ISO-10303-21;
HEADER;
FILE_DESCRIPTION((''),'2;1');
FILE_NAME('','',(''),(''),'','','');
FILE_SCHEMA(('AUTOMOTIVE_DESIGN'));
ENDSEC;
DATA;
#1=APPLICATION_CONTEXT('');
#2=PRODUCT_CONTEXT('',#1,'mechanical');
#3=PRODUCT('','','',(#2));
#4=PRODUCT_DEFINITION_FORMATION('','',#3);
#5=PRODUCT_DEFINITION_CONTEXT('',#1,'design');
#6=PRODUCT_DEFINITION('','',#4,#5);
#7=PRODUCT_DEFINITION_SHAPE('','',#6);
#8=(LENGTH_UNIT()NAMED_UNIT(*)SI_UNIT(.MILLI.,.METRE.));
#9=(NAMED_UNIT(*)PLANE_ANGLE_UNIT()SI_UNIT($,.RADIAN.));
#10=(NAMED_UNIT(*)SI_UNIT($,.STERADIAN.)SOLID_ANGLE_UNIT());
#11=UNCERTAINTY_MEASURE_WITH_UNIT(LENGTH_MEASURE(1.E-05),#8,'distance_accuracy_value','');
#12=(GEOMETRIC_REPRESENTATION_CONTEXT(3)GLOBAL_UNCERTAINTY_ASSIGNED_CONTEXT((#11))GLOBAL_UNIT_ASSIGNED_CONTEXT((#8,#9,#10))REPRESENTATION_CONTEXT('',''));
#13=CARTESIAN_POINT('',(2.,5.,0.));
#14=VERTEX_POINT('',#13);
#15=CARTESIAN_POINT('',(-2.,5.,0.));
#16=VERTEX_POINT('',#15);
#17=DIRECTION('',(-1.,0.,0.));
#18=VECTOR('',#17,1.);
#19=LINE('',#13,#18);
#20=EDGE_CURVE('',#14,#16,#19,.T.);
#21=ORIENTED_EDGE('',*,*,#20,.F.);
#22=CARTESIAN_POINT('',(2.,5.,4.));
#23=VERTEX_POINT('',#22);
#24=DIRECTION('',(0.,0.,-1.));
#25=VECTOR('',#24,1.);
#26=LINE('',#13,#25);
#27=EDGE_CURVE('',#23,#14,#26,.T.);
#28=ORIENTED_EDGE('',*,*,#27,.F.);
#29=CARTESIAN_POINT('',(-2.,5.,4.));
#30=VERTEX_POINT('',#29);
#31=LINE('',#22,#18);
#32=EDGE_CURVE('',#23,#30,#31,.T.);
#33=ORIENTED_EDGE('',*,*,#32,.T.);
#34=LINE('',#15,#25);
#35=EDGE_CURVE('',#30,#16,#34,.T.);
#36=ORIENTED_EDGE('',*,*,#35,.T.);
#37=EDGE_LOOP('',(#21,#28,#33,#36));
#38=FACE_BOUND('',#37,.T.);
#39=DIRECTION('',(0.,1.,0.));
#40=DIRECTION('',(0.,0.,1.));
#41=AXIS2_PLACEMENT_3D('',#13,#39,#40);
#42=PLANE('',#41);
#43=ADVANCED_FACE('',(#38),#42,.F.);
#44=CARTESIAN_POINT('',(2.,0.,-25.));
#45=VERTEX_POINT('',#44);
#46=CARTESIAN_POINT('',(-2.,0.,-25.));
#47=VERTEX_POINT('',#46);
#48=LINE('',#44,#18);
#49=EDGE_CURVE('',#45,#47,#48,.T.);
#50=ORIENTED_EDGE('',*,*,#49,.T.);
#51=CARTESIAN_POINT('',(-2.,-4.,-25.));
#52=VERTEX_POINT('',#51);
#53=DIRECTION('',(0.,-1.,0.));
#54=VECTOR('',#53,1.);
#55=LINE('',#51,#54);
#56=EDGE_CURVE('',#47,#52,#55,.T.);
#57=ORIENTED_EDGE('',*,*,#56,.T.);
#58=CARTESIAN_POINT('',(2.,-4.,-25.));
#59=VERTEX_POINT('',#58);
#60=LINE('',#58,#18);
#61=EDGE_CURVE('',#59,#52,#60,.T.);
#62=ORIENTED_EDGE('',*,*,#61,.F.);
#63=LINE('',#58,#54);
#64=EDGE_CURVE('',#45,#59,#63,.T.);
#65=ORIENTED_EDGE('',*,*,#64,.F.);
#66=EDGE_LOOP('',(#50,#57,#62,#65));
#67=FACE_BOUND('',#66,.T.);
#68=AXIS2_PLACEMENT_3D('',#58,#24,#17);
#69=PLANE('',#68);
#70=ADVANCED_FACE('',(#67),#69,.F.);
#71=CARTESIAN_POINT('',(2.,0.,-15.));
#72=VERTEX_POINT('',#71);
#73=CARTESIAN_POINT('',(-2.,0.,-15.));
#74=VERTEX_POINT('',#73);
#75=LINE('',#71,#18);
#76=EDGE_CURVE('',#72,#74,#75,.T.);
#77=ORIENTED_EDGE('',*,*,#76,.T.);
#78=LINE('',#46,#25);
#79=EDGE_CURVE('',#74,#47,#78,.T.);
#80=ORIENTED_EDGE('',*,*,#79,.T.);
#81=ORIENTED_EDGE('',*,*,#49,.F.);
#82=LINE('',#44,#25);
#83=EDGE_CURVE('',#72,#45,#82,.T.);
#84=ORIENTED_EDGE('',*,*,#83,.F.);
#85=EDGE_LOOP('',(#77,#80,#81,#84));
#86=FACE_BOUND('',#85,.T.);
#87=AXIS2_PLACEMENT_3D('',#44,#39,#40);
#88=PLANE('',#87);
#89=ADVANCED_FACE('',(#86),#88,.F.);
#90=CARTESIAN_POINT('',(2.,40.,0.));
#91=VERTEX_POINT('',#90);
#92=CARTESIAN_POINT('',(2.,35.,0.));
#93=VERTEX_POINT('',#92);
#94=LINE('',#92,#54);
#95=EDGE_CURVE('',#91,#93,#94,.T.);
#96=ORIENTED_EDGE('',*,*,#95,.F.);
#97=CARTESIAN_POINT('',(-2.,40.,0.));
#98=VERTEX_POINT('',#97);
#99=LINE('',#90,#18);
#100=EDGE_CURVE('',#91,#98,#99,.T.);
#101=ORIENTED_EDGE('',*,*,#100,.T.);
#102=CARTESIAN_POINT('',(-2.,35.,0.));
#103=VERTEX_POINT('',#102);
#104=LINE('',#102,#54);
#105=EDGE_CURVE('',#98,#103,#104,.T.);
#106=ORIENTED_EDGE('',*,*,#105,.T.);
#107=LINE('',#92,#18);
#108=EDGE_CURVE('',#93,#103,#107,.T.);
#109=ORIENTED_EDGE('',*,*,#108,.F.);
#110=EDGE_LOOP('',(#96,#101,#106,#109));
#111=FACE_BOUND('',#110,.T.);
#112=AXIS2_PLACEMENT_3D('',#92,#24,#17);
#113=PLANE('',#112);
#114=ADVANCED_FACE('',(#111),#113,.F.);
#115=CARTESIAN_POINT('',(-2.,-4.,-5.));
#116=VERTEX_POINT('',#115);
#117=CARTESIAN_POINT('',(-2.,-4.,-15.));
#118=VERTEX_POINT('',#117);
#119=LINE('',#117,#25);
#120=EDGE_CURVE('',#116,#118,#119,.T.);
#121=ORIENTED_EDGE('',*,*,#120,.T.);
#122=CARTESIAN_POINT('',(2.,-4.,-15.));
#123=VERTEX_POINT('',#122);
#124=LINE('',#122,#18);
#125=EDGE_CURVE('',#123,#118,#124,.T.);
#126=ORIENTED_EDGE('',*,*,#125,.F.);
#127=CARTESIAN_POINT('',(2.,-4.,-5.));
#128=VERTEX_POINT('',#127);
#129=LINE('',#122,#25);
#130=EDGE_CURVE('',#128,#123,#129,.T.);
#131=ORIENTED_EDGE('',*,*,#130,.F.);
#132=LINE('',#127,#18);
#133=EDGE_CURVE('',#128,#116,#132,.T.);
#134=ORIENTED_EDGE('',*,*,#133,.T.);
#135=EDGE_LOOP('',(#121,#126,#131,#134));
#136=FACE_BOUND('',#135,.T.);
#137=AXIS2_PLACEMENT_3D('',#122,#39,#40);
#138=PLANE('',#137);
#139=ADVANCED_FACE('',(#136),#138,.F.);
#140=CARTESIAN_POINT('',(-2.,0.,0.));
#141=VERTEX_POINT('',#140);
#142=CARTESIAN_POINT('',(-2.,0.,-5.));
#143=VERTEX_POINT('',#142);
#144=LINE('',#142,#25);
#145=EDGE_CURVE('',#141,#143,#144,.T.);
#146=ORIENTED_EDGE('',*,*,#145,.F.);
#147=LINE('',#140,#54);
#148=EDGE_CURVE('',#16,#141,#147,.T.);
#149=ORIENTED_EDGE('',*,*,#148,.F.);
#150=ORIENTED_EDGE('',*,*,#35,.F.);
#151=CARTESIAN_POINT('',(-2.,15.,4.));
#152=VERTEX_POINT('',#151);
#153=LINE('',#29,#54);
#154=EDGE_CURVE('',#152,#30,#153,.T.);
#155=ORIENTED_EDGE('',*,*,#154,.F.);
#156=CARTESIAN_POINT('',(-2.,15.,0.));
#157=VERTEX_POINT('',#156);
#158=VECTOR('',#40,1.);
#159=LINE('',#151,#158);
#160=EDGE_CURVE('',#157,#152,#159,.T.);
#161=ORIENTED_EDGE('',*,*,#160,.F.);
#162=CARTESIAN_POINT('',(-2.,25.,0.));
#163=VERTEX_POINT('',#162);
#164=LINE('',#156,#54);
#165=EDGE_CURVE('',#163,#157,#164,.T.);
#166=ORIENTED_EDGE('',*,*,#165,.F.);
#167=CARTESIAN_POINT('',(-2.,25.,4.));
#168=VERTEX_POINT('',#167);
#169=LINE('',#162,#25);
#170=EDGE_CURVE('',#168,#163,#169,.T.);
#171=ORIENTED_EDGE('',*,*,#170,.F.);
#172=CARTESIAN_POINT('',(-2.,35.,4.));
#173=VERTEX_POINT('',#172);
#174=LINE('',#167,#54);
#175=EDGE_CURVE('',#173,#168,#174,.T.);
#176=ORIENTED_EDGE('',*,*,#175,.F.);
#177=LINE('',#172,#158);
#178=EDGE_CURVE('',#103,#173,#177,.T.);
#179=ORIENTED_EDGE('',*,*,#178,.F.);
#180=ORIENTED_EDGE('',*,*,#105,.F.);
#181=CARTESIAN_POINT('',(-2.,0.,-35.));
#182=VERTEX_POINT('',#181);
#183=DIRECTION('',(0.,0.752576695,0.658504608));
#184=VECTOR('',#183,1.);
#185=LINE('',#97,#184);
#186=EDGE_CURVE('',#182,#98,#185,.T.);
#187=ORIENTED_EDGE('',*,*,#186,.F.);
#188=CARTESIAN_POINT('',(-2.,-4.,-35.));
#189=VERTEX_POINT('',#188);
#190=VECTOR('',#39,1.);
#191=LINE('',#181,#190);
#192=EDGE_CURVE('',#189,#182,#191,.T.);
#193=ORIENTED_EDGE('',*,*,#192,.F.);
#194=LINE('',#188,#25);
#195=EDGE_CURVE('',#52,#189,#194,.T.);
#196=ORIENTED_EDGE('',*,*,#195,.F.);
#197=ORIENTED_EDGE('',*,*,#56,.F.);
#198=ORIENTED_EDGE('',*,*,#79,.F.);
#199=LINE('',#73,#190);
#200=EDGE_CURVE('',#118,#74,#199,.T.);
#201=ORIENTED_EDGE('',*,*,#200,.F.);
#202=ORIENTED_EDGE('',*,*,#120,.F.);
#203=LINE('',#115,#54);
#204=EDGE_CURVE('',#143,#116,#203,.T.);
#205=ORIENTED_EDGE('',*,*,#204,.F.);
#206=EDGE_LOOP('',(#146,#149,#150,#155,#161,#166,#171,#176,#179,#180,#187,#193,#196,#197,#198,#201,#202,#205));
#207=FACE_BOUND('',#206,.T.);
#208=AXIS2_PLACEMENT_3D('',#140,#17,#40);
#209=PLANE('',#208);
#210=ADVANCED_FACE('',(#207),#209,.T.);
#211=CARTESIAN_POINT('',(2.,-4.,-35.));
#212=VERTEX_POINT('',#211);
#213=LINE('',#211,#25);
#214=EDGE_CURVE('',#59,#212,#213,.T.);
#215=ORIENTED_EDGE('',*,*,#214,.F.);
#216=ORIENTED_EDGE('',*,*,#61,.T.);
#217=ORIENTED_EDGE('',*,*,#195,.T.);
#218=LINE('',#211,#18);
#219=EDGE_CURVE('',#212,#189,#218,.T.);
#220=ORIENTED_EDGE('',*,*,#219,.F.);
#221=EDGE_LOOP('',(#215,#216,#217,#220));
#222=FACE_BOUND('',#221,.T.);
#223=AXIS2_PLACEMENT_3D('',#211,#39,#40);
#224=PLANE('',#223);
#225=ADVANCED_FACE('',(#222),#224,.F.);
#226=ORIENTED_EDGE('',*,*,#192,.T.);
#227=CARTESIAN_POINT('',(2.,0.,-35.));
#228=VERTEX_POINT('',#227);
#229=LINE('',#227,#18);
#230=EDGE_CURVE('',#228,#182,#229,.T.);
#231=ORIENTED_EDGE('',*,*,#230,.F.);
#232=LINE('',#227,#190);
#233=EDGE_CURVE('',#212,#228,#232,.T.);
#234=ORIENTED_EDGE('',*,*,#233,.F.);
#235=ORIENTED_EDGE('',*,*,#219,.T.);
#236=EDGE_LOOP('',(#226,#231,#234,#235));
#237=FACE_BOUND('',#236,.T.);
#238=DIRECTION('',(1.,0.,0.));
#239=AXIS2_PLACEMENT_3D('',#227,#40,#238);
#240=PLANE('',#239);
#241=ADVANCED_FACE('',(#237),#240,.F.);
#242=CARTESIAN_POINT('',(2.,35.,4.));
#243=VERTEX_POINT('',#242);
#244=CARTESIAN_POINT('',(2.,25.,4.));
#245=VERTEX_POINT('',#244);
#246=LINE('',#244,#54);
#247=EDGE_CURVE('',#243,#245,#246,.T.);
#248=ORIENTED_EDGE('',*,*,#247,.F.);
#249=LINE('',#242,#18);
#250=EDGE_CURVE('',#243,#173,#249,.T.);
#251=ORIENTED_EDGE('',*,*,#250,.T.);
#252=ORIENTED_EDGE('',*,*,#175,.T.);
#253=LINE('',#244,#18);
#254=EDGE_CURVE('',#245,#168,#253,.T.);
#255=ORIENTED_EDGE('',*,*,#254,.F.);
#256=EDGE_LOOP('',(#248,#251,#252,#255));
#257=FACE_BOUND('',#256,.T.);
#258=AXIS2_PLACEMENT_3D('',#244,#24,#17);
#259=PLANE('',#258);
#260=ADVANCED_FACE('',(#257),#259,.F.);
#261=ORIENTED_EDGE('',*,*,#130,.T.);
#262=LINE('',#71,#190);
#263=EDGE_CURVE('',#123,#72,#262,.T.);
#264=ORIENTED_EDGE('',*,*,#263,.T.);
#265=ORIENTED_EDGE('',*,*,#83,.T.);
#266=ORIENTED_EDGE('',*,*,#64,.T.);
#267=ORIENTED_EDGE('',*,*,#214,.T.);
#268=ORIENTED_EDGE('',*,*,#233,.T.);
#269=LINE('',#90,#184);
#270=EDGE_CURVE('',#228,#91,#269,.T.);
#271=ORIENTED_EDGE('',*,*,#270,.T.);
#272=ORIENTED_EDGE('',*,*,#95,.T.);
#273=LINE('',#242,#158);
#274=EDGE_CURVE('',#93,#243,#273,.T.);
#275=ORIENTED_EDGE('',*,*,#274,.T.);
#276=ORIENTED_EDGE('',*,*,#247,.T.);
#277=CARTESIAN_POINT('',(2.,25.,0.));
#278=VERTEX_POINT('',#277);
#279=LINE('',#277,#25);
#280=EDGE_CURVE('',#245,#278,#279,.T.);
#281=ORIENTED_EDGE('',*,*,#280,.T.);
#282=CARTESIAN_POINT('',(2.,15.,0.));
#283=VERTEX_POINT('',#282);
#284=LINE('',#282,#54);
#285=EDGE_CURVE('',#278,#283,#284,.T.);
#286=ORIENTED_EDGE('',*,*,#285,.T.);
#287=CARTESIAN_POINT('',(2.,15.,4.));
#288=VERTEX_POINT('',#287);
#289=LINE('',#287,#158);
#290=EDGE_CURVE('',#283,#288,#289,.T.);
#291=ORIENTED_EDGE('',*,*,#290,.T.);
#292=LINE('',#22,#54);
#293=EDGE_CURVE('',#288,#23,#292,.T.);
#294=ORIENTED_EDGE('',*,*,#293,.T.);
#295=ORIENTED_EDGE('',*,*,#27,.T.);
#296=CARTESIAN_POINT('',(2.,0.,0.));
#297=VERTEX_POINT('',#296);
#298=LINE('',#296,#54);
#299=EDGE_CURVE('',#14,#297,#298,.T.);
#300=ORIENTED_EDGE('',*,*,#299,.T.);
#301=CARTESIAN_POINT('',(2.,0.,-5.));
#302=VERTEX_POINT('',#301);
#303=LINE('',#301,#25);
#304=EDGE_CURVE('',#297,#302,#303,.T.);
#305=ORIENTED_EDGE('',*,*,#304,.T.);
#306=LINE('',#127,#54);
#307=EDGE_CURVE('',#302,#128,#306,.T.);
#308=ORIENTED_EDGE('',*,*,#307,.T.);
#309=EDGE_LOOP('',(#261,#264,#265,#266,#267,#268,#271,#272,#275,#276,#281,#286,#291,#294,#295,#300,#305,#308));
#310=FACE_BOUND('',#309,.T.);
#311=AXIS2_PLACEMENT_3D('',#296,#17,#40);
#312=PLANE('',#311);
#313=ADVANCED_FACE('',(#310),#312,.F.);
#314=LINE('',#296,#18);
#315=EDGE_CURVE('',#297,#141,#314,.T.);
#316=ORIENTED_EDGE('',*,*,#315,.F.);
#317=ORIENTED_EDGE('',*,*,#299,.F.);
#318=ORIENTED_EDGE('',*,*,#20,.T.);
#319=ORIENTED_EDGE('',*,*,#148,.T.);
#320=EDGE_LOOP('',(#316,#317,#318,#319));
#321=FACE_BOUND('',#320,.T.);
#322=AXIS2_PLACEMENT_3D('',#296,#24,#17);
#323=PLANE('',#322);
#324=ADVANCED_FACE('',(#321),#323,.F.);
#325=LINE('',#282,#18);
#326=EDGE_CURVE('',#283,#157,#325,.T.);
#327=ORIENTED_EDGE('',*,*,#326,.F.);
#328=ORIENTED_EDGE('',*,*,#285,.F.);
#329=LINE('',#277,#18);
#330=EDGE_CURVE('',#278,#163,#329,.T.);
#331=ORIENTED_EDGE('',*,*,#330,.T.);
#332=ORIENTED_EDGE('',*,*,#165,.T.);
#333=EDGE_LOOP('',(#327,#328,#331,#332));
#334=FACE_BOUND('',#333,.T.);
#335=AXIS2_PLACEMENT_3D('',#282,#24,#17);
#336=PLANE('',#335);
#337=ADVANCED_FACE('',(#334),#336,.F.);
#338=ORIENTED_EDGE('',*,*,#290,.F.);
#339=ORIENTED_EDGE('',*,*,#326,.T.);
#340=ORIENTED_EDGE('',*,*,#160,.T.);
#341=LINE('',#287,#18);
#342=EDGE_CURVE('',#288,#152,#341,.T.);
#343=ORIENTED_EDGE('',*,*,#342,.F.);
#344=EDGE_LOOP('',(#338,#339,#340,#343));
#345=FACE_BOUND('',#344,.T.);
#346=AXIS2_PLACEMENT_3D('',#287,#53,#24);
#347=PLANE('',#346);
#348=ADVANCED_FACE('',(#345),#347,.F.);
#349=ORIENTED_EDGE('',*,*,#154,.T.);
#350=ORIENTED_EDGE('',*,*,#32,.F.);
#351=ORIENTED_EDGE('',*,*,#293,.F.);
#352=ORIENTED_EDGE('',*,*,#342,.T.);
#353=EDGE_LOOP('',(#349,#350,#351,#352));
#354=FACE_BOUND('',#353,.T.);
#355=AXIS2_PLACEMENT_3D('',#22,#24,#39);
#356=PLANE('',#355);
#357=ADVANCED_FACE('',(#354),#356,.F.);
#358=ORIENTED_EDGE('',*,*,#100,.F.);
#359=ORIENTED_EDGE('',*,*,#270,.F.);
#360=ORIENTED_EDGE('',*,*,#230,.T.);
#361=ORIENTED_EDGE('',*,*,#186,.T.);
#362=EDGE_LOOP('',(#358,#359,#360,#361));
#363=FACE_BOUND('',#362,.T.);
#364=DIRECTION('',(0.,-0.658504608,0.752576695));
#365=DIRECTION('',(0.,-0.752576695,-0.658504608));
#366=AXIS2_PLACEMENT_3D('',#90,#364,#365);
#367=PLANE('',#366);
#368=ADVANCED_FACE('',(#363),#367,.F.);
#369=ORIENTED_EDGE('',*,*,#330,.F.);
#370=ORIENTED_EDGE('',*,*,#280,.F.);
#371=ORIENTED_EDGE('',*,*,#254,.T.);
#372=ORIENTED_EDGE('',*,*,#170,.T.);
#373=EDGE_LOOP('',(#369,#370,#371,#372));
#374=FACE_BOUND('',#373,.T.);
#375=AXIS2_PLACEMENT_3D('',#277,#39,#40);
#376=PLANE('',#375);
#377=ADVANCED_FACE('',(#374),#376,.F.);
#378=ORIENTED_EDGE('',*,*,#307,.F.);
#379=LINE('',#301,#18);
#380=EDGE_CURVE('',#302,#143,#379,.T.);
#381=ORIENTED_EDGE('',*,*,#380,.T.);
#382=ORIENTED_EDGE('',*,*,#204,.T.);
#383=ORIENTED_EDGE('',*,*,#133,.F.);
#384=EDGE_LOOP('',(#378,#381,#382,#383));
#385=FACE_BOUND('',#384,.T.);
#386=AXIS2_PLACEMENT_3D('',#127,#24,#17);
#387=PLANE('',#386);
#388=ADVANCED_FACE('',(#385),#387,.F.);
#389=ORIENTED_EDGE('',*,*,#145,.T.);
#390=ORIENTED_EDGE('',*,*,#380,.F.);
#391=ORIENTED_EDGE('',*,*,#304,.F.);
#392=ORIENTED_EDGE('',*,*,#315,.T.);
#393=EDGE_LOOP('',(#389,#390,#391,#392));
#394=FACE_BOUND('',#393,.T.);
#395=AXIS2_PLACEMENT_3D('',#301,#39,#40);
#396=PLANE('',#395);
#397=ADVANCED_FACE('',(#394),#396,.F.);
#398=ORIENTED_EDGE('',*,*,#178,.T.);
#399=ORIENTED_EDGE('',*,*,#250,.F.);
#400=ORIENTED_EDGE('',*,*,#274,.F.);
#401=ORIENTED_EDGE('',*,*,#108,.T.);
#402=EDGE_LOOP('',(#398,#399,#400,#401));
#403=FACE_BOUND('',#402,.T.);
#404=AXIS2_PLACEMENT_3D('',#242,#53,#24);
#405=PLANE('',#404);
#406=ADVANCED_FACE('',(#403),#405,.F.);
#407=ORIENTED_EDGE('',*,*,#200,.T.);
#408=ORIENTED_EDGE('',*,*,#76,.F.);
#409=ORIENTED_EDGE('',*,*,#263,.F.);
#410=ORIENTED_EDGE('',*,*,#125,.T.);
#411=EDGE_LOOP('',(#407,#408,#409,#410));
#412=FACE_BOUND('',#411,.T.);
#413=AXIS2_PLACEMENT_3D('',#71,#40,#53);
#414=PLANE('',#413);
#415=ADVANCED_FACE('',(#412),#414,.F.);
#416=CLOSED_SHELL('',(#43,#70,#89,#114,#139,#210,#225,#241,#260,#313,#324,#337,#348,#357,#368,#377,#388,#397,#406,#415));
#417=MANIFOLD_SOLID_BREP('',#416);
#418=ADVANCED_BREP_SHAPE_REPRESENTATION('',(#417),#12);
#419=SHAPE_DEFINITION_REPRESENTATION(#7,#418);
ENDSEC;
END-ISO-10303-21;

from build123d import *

# Parameters (mm, degrees)
BOSS_EXTRUDE1_DEPTH = 2


with BuildPart() as part:
    # Sketch1 → Boss-Extrude1 (new, symmetric)
    with BuildSketch(Plane(origin=(0, 0, 0), x_dir=(0, 0, -1), z_dir=(1, 0, 0))):
        Polygon((0, 0), (0, 5), (-4, 5), (-4, 15), (0, 15), (0, 25), (-4, 25), (-4, 35), (0, 35), (0, 40), (35, 0), (35, -4), (25, -4), (25, 0), (15, 0), (15, -4), (5, -4), (5, 0), align=None)
    extrude(amount=BOSS_EXTRUDE1_DEPTH, both=True)


solid = part.part
